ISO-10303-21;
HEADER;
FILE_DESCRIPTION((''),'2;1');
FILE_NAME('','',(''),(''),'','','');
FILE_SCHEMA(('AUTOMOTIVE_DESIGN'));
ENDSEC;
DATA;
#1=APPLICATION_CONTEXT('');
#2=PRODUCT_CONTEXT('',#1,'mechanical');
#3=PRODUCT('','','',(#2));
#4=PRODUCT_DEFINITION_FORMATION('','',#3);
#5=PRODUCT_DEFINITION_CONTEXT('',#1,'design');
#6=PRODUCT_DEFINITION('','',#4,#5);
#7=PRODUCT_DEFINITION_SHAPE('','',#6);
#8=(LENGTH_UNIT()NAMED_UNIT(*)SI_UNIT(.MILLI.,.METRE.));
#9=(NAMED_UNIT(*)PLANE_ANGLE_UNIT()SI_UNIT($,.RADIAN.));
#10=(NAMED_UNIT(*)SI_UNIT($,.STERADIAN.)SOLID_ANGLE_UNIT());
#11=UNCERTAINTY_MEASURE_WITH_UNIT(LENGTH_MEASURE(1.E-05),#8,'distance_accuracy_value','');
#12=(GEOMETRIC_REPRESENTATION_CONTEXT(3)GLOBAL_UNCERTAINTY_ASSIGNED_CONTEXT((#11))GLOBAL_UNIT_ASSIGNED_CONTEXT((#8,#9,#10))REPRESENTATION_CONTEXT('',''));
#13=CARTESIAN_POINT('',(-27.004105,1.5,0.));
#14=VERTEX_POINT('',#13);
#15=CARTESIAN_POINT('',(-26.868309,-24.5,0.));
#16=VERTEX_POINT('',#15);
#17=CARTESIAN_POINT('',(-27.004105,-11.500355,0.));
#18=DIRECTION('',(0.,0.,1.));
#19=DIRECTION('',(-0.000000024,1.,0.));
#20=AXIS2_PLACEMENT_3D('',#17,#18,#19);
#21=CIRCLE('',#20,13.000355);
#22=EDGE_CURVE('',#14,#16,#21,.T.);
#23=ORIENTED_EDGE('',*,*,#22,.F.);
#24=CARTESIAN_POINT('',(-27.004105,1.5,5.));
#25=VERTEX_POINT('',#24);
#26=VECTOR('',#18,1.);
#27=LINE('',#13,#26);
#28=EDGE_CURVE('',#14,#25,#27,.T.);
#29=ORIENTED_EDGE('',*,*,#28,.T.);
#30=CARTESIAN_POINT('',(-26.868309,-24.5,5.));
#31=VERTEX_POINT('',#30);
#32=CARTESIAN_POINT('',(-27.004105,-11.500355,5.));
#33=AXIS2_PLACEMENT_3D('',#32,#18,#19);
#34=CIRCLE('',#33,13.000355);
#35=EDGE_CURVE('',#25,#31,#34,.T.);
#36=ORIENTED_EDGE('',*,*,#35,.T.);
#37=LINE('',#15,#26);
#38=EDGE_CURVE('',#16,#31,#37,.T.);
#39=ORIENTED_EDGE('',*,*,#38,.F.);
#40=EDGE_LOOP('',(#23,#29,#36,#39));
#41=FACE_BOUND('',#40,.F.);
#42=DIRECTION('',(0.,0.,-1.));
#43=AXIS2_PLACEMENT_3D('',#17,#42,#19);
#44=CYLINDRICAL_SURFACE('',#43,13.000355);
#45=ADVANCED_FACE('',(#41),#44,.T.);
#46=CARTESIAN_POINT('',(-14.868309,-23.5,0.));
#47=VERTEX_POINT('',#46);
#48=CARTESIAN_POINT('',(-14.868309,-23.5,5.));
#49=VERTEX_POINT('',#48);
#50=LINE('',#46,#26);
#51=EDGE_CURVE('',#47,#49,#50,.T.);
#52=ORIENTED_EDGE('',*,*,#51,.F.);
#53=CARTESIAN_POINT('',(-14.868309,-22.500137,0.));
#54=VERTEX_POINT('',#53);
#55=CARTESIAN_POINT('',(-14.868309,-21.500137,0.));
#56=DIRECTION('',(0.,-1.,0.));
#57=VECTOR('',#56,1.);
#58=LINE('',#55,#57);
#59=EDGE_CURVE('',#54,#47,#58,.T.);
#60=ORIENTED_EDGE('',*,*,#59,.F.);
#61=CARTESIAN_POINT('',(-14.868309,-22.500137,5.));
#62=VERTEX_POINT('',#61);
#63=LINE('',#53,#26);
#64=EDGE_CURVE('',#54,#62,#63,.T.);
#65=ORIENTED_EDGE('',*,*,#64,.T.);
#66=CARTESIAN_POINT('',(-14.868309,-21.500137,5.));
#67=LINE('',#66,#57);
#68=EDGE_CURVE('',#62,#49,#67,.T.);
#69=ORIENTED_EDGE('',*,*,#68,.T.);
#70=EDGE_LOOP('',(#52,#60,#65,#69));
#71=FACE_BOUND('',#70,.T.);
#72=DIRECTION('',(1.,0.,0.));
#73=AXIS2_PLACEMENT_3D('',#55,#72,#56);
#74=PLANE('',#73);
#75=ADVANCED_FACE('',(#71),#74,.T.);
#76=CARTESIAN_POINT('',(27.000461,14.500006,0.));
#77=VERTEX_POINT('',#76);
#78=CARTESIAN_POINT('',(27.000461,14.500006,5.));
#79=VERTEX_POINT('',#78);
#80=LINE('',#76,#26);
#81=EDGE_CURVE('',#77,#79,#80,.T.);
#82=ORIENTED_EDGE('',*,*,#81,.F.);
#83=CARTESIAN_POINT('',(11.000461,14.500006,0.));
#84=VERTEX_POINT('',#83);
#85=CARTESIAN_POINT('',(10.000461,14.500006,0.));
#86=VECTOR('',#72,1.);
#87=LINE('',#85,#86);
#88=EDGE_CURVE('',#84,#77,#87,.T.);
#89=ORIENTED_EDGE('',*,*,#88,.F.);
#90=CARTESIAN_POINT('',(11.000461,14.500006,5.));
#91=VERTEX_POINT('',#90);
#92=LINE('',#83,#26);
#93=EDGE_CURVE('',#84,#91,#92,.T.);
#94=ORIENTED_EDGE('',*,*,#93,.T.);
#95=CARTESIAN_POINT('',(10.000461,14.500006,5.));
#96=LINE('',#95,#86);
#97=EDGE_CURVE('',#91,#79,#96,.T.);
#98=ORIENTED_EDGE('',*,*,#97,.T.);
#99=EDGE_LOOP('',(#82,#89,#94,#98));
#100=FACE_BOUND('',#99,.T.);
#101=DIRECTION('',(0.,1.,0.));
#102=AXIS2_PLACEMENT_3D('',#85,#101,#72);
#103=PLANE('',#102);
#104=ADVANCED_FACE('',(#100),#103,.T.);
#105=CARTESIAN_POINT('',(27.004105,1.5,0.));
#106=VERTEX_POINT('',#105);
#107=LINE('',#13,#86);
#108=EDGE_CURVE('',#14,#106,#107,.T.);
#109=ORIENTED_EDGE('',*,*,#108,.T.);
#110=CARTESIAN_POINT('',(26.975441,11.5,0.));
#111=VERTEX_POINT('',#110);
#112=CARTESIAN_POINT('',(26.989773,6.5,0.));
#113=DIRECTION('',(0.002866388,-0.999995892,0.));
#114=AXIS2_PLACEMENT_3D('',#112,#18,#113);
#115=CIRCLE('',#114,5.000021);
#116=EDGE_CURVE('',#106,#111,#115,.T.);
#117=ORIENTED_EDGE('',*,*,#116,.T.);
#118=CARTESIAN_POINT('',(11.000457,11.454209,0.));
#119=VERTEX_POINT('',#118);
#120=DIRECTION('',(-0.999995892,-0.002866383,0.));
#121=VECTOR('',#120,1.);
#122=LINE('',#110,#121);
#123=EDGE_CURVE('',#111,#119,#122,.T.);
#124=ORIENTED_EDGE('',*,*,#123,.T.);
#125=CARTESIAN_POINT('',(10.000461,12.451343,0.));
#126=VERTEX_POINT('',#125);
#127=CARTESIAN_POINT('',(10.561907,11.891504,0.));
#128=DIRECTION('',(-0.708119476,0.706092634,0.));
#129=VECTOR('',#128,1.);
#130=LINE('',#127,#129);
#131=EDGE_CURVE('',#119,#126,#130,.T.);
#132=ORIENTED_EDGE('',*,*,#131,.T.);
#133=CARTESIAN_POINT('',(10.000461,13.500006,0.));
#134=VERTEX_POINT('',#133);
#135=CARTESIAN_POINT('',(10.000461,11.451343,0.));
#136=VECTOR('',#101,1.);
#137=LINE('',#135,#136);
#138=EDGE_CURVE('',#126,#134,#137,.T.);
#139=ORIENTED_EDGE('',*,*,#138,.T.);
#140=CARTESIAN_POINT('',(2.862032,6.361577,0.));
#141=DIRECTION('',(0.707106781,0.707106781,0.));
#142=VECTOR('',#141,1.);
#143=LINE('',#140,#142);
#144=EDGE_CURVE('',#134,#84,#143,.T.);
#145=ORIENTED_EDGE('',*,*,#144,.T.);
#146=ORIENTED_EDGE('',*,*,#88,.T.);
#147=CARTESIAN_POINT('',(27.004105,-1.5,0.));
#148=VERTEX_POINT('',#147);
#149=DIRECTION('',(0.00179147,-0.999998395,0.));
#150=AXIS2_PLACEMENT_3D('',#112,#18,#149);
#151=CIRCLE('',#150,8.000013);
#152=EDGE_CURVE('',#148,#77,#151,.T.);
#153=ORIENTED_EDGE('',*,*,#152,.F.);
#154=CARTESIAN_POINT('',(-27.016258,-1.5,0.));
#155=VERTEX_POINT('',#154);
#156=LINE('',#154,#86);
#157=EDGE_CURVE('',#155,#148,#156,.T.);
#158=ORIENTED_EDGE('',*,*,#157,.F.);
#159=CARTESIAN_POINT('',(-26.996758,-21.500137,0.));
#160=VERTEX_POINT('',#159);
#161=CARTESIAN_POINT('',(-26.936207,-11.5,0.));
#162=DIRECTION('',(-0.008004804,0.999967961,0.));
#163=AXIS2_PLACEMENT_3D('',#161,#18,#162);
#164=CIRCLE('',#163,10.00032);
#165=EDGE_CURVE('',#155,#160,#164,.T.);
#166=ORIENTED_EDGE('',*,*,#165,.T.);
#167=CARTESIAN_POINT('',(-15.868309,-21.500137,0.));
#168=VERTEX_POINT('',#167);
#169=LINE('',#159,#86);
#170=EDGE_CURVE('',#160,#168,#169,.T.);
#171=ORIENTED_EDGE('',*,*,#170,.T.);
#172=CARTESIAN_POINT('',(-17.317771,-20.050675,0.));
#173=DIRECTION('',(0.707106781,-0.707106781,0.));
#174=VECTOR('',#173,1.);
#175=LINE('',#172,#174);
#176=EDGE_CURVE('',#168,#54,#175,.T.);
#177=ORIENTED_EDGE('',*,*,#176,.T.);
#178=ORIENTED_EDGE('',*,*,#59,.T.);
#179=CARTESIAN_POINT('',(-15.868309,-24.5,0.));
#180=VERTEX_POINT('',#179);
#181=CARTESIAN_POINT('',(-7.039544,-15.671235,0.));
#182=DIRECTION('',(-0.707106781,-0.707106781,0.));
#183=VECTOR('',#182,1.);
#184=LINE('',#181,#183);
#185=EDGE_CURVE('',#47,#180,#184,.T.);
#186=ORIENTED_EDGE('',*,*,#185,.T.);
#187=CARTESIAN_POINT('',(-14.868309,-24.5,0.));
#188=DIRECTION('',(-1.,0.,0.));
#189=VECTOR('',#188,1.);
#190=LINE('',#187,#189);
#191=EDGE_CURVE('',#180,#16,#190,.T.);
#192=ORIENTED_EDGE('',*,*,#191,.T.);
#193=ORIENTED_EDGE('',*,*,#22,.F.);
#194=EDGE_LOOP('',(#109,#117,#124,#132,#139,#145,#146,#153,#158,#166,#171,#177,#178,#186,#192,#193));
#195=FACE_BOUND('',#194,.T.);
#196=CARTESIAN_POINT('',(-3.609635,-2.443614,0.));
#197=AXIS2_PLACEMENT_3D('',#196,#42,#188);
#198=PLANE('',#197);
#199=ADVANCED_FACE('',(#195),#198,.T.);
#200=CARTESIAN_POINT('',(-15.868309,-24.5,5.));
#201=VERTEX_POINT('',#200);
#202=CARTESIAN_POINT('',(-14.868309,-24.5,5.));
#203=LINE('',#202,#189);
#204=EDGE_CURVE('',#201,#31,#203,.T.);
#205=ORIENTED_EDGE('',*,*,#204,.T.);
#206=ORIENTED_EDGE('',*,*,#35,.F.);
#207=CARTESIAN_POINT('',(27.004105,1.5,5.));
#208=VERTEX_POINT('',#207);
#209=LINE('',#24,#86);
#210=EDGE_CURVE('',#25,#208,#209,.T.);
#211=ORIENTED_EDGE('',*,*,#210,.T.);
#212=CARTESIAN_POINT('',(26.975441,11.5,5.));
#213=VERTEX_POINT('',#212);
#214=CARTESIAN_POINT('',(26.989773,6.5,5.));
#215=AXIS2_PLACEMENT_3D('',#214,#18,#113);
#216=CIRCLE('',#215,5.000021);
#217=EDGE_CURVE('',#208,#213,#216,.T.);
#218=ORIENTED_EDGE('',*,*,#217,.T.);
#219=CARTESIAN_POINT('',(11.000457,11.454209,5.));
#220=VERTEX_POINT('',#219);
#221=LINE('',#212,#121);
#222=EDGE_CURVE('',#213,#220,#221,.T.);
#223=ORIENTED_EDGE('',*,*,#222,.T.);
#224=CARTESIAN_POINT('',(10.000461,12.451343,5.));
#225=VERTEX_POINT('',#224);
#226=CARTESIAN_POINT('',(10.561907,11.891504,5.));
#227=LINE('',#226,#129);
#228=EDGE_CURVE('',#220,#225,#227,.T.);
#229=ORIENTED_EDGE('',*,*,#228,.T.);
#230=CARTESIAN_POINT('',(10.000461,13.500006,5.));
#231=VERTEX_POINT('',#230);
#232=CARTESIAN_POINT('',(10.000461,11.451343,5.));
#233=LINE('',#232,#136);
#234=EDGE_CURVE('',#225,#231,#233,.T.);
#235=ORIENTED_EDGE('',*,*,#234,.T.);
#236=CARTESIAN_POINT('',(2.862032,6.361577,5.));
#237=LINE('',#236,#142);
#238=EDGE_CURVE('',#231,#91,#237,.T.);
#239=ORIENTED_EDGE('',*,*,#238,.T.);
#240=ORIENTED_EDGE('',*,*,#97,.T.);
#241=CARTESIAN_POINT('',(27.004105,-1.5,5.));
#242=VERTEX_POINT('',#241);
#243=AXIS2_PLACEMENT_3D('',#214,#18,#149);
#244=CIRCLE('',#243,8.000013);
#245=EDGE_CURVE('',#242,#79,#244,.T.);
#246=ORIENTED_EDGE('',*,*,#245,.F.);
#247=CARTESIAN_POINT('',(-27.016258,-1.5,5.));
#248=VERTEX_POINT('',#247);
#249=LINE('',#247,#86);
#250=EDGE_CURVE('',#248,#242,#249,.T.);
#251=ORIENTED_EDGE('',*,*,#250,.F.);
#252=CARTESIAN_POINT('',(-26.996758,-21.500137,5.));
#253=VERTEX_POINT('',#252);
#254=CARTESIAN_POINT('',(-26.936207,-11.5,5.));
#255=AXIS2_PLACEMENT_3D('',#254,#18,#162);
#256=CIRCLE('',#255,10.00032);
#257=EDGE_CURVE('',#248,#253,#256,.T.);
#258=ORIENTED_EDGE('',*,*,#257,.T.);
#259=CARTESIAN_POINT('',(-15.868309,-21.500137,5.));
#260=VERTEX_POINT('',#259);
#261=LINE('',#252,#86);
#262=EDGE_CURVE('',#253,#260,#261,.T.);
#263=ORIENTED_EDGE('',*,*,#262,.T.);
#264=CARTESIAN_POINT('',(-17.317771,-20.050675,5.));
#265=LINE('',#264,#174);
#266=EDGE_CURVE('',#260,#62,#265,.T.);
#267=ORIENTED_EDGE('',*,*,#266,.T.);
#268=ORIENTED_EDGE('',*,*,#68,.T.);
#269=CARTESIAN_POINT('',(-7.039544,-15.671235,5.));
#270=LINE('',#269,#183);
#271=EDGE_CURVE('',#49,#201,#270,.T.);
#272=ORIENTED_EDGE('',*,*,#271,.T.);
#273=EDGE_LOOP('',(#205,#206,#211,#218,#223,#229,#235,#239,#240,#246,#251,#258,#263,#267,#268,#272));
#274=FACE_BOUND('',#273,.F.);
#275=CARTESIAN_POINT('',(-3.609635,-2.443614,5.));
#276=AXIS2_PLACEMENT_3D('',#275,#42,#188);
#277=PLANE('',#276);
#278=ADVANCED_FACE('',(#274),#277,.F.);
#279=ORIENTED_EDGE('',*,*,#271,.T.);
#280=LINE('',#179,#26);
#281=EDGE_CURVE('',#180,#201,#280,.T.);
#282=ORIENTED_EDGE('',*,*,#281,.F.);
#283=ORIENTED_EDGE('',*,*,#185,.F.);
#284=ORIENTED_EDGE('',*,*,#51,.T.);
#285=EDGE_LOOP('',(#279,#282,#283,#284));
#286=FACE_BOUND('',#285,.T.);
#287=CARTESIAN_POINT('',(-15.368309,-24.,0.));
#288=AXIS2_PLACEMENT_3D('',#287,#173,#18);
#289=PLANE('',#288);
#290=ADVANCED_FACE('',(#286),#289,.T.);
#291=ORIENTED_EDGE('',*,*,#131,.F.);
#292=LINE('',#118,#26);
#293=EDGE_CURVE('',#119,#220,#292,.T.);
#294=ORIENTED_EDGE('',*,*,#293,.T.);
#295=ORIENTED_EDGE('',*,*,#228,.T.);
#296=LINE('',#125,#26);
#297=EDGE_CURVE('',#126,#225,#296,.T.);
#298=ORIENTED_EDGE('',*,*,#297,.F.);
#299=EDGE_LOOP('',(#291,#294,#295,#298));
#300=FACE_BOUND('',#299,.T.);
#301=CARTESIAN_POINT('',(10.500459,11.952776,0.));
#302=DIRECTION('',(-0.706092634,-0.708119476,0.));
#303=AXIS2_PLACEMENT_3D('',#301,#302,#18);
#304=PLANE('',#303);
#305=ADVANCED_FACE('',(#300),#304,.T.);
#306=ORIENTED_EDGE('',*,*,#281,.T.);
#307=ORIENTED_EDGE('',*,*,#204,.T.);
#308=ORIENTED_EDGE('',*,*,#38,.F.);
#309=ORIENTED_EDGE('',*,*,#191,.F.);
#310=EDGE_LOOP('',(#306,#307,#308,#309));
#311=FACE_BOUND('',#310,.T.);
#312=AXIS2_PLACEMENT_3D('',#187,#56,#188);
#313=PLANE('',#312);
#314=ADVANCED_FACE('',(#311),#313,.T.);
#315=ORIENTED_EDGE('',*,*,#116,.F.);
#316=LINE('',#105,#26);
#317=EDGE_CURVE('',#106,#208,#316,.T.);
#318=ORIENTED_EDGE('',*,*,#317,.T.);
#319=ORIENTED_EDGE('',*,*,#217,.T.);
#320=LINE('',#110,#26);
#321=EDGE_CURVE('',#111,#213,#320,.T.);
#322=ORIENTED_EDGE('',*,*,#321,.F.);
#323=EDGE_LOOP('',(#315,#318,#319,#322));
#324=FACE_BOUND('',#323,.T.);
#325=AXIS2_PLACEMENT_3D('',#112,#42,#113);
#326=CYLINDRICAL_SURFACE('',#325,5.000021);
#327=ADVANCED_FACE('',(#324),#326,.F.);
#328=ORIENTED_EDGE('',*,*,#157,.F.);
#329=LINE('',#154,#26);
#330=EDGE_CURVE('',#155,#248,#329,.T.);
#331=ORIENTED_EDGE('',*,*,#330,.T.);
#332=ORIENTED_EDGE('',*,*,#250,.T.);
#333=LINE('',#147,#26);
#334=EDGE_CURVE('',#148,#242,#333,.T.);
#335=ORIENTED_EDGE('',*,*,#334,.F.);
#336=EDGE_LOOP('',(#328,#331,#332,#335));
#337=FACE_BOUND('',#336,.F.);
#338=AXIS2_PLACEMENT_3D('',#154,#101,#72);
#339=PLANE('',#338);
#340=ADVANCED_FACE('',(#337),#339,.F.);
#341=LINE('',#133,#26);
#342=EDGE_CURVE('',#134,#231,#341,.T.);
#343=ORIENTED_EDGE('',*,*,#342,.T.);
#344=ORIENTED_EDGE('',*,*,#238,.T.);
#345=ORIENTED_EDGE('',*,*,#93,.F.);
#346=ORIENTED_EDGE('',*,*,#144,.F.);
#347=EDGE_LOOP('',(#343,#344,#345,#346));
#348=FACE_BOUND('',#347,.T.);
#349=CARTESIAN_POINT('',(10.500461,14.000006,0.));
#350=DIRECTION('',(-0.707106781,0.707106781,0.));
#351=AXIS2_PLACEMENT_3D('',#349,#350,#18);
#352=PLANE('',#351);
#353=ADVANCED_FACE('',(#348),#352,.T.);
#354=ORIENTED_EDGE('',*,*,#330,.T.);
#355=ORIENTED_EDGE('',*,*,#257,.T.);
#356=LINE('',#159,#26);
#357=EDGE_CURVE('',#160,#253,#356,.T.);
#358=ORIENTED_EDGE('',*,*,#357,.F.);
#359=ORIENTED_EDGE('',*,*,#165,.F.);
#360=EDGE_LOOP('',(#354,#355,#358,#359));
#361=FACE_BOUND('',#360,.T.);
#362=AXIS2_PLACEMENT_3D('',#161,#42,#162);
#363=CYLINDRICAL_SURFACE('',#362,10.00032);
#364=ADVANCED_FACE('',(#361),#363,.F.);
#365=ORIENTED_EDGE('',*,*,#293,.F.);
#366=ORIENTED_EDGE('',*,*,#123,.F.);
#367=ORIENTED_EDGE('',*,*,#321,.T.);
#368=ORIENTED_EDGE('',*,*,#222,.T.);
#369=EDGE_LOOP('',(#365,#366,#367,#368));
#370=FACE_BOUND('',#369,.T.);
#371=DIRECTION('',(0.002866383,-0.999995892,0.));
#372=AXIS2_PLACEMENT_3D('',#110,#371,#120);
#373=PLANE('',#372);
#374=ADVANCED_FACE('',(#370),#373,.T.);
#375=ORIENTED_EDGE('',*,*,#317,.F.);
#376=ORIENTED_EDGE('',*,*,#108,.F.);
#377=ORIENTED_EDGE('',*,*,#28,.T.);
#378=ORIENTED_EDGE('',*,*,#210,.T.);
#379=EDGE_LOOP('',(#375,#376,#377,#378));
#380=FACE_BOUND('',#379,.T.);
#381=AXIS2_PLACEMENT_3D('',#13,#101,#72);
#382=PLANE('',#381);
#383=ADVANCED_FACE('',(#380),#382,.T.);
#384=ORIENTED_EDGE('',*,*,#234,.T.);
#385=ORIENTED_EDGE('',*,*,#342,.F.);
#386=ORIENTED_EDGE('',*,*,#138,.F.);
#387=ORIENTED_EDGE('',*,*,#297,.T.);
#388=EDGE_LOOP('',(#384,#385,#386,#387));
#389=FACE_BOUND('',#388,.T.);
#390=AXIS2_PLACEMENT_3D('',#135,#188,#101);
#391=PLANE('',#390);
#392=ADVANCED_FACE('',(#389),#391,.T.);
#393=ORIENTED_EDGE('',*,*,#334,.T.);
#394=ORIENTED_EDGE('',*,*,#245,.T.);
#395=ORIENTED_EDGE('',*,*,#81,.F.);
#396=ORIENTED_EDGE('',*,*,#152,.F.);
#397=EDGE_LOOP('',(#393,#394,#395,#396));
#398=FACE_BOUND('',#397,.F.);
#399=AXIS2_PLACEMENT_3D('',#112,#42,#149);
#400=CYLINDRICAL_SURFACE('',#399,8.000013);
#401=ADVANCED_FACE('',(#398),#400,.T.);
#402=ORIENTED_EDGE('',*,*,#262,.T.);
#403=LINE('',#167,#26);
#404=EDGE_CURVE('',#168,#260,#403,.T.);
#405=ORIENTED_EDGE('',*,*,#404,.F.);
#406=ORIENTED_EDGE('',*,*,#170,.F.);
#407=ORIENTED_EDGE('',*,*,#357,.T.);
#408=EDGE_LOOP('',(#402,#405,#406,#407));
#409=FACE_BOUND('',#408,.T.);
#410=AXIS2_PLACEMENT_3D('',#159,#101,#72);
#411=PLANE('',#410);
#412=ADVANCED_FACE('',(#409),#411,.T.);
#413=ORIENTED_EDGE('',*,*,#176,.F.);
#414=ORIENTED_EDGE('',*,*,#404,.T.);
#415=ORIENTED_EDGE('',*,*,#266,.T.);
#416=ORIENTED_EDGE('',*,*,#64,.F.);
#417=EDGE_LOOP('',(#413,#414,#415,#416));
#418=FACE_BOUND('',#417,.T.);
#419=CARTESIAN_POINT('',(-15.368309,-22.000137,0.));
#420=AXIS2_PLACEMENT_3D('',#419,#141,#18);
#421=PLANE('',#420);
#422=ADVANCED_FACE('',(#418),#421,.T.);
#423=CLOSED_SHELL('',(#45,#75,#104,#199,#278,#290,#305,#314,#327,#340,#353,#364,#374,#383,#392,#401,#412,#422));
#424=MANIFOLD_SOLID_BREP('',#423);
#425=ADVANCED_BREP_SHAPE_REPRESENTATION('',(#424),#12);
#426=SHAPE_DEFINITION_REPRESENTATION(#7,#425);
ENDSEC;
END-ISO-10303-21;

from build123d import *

# Parameters (mm, degrees)
PAD_DEPTH    = 5
CHAMFER_SIZE = 1


with BuildPart() as part:
    # Sketch → Pad (new body)
    with BuildSketch(Plane.XY):
        with BuildLine():
            Line((-27.004105, 1.5), (27.004105, 1.5))
            ThreePointArc((27.004105, 1.5), (31.989773, 6.514332), (26.975441, 11.5))
            Line((26.975441, 11.5), (10.000461, 11.451343))
            Line((10.000461, 11.451343), (10.000461, 14.500006))
            Line((10.000461, 14.500006), (27.000461, 14.500006))
            ThreePointArc((27.004105, -1.5), (34.989786, 6.501822), (27.000461, 14.500006))
            Line((-27.016258, -1.5), (27.004105, -1.5))
            ThreePointArc((-27.016258, -1.5), (-36.936523, -11.509751), (-26.996758, -21.500137))
            Line((-26.996758, -21.500137), (-14.868309, -21.500137))
            Line((-14.868309, -21.500137), (-14.868309, -24.5))
            Line((-14.868309, -24.5), (-26.868309, -24.5))
            ThreePointArc((-27.004105, 1.5), (-40.004282, -11.568254), (-26.868309, -24.5))
        make_face()
    extrude(amount=PAD_DEPTH)

    # Chamfer
    chamfer_edges = [part.edges().sort_by_distance(p)[0] for p in [
        (-14.868309, -21.500137, 2.5),
        (-14.868309, -24.5, 2.5),
        (10.000461, 11.451343, 2.5),
        (10.000461, 14.500006, 2.5),
    ]]
    chamfer(chamfer_edges, length=CHAMFER_SIZE)


solid = part.part
